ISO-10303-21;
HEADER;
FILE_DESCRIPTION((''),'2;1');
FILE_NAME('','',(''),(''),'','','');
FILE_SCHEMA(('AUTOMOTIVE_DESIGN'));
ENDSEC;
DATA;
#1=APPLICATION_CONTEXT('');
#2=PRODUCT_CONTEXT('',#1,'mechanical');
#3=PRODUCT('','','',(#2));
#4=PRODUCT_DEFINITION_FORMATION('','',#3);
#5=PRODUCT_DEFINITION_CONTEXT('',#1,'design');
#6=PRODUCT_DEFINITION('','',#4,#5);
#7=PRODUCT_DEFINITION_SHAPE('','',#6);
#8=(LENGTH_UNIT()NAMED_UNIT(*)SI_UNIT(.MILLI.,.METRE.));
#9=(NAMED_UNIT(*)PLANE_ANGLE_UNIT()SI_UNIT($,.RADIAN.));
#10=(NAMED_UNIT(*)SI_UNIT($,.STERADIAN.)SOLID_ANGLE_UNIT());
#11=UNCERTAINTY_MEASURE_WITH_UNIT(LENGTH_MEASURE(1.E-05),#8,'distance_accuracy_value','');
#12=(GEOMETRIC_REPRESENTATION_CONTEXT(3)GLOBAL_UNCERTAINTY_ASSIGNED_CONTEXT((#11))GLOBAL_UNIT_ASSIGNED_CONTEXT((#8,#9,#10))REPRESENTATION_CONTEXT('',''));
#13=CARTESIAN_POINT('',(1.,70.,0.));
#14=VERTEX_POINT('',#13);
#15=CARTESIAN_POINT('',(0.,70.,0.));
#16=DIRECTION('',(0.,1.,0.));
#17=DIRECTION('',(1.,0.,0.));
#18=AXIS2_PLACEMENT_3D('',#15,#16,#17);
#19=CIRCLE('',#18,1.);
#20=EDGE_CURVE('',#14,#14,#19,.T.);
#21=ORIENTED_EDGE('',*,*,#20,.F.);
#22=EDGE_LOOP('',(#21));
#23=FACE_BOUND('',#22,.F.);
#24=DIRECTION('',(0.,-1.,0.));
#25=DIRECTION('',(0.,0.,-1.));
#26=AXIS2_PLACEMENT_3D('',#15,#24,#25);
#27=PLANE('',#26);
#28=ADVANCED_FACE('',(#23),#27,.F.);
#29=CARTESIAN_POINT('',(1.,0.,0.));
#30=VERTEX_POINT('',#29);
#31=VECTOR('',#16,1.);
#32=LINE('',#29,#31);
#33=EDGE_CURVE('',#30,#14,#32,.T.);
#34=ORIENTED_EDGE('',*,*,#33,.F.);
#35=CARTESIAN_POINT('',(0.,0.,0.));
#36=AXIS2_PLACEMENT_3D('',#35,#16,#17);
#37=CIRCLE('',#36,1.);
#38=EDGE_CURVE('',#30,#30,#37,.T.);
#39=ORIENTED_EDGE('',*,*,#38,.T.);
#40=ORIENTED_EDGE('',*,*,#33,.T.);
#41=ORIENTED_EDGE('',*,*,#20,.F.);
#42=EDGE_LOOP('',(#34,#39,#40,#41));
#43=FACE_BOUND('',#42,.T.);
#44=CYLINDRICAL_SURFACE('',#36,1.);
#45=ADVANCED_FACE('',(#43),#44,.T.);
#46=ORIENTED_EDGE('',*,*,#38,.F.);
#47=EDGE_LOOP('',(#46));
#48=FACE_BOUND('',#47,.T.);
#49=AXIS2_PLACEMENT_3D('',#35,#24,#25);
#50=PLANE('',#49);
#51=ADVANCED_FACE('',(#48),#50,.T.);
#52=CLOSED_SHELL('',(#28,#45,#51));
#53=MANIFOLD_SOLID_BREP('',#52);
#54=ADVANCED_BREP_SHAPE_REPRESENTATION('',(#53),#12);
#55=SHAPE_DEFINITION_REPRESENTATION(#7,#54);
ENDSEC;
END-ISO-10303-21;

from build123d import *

# Parameters (mm, degrees)
F0_R = 1


with BuildPart() as f2:
    # F2: sweep along a path in F1
    with BuildLine(Plane.XY) as f2_path:
        Line((0, 0), (0, 70))
    # F0 (on Front) → F2 (sweep)
    with BuildSketch(Plane.XZ):
        Circle(F0_R)
    sweep(path=f2_path.line)


solid = f2.part
